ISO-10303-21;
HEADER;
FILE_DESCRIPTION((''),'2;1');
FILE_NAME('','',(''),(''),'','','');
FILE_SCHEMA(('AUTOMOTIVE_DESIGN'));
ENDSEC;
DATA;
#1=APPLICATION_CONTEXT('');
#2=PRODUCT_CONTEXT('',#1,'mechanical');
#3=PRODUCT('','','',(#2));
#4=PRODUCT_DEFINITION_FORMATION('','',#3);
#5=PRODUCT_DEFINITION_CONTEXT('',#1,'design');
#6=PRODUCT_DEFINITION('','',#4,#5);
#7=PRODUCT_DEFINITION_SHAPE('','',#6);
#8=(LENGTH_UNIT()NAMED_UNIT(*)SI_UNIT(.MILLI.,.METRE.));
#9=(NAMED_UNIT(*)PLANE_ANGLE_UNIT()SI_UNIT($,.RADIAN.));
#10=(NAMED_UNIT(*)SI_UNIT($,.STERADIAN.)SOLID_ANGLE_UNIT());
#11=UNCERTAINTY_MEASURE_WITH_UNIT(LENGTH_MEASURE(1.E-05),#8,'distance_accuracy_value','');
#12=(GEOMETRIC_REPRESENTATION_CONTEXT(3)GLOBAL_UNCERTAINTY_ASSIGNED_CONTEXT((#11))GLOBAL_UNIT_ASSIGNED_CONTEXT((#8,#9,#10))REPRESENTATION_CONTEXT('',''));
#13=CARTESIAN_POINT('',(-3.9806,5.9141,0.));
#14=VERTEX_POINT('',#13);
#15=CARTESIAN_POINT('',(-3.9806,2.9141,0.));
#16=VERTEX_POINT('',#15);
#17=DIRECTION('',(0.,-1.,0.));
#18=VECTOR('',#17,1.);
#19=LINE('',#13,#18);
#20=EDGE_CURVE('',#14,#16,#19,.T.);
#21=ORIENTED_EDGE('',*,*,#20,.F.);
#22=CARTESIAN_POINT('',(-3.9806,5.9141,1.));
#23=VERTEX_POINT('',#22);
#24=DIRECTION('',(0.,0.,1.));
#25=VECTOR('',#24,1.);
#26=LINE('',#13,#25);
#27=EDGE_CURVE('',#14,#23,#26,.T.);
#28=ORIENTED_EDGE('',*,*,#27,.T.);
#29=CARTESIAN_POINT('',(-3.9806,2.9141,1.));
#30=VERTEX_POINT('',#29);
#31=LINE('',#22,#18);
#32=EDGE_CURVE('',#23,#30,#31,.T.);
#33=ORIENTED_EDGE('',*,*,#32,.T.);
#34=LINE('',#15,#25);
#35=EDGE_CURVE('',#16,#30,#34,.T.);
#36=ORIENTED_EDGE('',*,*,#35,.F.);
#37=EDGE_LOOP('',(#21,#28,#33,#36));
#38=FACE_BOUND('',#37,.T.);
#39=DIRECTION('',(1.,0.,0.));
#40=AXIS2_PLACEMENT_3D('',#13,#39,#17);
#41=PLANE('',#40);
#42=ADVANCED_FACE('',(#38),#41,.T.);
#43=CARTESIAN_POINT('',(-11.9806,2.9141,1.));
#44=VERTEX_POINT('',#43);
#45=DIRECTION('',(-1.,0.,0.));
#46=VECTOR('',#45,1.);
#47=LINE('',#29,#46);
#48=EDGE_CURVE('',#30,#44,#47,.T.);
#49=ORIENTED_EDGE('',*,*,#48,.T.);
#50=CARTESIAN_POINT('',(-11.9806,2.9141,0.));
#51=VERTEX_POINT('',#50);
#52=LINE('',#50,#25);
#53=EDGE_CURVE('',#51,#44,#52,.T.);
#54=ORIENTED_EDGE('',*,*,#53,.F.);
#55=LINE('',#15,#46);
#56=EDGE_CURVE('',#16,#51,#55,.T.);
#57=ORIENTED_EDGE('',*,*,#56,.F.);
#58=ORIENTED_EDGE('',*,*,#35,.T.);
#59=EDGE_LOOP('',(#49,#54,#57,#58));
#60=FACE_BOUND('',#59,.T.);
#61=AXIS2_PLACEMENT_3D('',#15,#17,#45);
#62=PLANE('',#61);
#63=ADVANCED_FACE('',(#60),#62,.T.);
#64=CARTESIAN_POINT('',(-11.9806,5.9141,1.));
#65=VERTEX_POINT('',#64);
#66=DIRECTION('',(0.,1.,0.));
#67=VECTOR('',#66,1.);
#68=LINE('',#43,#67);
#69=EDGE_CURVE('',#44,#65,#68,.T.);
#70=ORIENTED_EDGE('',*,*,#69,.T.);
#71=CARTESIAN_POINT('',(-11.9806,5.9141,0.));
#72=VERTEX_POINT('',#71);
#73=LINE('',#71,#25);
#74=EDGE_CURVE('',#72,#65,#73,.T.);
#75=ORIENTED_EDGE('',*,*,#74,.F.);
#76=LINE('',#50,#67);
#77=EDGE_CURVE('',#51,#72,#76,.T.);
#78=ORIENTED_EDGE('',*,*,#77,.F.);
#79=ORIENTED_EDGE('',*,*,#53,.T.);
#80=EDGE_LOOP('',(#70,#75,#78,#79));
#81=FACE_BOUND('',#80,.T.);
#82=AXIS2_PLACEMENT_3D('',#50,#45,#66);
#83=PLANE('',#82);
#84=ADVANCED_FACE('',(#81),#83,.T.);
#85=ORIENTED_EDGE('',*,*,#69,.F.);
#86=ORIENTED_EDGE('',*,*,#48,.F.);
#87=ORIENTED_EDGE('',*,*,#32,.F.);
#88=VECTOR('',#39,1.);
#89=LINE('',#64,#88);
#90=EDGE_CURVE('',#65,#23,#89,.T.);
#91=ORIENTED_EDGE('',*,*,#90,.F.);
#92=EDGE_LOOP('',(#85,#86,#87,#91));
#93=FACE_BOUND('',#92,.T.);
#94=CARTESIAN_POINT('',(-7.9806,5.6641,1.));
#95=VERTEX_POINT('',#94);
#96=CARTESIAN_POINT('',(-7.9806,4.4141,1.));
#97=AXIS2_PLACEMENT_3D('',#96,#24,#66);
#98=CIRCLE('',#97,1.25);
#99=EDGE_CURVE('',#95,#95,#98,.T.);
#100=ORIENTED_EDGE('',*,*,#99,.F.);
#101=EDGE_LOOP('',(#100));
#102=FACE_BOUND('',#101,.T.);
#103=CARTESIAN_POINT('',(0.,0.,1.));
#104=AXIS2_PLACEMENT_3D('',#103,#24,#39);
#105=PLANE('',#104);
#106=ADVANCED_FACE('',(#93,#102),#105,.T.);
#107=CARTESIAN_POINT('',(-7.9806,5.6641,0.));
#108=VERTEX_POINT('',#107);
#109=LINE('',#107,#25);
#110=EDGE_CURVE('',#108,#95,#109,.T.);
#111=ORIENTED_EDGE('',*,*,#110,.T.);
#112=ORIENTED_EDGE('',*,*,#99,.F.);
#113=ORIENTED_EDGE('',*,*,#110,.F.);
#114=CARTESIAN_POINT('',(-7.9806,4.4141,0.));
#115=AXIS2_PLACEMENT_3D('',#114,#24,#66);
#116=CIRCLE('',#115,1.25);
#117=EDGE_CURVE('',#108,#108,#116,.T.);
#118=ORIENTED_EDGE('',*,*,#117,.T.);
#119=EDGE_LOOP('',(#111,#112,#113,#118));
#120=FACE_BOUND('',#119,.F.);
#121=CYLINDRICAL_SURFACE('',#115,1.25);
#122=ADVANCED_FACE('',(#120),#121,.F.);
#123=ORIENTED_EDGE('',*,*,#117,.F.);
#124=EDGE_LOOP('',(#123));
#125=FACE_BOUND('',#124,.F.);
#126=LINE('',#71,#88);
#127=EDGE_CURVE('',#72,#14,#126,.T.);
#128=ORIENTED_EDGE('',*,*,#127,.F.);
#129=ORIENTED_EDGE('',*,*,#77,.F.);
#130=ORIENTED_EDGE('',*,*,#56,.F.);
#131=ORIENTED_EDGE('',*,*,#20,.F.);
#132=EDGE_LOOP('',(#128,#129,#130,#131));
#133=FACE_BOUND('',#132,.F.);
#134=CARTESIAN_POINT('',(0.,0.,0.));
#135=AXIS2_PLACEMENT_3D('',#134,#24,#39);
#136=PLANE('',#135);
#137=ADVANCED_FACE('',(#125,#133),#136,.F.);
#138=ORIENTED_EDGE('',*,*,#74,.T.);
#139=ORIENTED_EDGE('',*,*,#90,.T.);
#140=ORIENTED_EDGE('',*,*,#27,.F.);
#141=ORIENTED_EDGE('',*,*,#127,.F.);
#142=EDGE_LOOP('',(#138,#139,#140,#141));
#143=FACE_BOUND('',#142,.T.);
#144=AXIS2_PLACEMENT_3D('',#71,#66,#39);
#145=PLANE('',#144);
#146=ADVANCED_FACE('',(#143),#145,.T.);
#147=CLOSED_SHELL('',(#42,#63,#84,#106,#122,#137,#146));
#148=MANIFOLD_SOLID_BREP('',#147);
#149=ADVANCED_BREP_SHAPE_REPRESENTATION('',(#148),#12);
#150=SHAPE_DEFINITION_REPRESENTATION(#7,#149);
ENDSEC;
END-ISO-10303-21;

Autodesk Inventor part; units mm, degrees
ref_plane "YZ Plane" through (0, 0, 0) normal (1, 0, 0) x (0, 1, 0)
ref_plane "XZ Plane" through (0, 0, 0) normal (0, 1, 0) x (-1, 0, 0)
ref_plane "XY Plane" through (0, 0, 0) normal (0, 0, 1) x (1, 0, 0)
sketch "Sketch1" plane through (0, 0, 0) normal (0, 0, 1) x (1, 0, 0)
  line L0 (-11.9806, 5.9141) -> (-3.9806, 5.9141)
  line L1 (-3.9806, 5.9141) -> (-3.9806, 2.9141)
  line L2 (-3.9806, 2.9141) -> (-11.9806, 2.9141)
  line L3 (-11.9806, 2.9141) -> (-11.9806, 5.9141)
  circle A0 centre (-7.9806, 4.4141) radius 1.25
  point P0 (0, 0)
  dimension "d0" = 8
  dimension "d1" = 3
  dimension "d11" = 2.5
  dimension "d12" = 1.5
  dimension "d13" = 4
extrude "Extrusion1" add sketch "Sketch1" along normal blind 1 contours L0 L1 L2 L3 | A0
hole "Hole2" at (-7.9806, 4.4141, 0) direction (0, 0, 1) diameter 2.5 depth 3 tip angle 118
properties part number "McCrea_doska_walle" material "Silver"
